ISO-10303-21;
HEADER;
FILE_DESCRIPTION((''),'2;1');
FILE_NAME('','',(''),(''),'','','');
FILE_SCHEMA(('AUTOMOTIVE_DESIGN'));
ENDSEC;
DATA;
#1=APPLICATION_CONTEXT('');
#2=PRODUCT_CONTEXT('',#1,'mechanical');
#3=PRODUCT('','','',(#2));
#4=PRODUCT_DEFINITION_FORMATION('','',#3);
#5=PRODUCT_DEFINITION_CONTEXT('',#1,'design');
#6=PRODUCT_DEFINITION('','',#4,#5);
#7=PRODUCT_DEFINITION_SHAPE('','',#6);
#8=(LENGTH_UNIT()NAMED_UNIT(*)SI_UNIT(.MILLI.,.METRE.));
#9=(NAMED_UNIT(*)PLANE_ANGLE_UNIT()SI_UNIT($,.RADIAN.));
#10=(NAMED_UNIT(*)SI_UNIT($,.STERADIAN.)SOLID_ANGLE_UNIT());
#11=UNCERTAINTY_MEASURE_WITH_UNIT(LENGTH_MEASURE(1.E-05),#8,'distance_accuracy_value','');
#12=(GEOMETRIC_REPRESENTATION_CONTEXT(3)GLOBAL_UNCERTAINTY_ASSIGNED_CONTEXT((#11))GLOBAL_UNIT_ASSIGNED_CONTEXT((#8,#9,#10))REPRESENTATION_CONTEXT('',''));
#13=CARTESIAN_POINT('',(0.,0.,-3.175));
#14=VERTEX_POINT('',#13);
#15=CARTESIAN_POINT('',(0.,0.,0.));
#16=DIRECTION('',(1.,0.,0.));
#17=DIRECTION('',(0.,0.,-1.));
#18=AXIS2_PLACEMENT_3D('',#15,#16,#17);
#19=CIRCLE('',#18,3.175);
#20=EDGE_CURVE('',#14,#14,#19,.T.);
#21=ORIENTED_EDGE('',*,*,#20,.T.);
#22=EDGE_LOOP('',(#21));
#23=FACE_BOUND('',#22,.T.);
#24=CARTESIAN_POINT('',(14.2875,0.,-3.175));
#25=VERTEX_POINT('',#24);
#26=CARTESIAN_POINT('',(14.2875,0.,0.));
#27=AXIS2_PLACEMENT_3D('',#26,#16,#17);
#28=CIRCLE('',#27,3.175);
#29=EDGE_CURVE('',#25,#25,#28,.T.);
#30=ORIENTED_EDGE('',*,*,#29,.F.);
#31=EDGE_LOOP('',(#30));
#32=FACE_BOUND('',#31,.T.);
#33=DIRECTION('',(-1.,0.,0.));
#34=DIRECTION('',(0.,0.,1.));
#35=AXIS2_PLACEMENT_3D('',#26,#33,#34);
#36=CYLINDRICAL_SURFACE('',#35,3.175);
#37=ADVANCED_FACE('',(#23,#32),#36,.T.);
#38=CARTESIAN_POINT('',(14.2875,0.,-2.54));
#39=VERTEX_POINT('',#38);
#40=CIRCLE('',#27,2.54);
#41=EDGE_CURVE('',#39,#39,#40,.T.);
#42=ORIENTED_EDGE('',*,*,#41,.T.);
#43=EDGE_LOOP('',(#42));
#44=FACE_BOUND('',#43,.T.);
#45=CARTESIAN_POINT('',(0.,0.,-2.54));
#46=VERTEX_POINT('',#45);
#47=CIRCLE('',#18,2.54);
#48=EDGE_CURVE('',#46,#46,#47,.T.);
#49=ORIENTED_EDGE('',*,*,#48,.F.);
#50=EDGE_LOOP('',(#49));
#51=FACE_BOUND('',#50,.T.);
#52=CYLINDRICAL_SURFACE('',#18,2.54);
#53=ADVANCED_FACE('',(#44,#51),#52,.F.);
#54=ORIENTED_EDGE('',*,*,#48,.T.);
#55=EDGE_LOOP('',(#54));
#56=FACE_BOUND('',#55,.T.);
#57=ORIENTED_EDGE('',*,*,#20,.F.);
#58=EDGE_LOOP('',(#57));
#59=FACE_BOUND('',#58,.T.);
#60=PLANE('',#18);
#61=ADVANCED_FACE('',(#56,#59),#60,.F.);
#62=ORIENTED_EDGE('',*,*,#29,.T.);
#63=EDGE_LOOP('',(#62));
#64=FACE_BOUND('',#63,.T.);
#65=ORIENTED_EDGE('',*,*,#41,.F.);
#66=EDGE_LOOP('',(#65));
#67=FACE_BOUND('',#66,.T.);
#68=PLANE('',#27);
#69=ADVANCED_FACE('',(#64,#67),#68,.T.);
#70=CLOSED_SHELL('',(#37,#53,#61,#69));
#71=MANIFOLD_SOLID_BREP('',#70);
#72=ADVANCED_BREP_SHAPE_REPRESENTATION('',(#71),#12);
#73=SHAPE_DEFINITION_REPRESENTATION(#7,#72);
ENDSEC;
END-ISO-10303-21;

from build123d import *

# Parameters (mm, degrees)
SKETCH1_R           = 3.175
BOSS_EXTRUDE1_DEPTH = 14.2875
SKETCH6_R           = 2.54
CUT_EXTRUDE1_DEPTH  = 15.976445047


with BuildPart() as part:
    # Sketch1 → Boss-Extrude1 (new body)
    with BuildSketch(Plane(origin=(0, 0, 0), x_dir=(0, 0, -1), z_dir=(1, 0, 0))):
        Circle(SKETCH1_R)
    extrude(amount=BOSS_EXTRUDE1_DEPTH)

    # Sketch6 → Cut-Extrude1 (cut, through all)
    with BuildSketch(Plane(origin=(14.2875, 0, 0), x_dir=(0, 0, -1), z_dir=(1, 0, 0))):
        Circle(SKETCH6_R)
    extrude(amount=-CUT_EXTRUDE1_DEPTH, mode=Mode.SUBTRACT)


solid = part.part
